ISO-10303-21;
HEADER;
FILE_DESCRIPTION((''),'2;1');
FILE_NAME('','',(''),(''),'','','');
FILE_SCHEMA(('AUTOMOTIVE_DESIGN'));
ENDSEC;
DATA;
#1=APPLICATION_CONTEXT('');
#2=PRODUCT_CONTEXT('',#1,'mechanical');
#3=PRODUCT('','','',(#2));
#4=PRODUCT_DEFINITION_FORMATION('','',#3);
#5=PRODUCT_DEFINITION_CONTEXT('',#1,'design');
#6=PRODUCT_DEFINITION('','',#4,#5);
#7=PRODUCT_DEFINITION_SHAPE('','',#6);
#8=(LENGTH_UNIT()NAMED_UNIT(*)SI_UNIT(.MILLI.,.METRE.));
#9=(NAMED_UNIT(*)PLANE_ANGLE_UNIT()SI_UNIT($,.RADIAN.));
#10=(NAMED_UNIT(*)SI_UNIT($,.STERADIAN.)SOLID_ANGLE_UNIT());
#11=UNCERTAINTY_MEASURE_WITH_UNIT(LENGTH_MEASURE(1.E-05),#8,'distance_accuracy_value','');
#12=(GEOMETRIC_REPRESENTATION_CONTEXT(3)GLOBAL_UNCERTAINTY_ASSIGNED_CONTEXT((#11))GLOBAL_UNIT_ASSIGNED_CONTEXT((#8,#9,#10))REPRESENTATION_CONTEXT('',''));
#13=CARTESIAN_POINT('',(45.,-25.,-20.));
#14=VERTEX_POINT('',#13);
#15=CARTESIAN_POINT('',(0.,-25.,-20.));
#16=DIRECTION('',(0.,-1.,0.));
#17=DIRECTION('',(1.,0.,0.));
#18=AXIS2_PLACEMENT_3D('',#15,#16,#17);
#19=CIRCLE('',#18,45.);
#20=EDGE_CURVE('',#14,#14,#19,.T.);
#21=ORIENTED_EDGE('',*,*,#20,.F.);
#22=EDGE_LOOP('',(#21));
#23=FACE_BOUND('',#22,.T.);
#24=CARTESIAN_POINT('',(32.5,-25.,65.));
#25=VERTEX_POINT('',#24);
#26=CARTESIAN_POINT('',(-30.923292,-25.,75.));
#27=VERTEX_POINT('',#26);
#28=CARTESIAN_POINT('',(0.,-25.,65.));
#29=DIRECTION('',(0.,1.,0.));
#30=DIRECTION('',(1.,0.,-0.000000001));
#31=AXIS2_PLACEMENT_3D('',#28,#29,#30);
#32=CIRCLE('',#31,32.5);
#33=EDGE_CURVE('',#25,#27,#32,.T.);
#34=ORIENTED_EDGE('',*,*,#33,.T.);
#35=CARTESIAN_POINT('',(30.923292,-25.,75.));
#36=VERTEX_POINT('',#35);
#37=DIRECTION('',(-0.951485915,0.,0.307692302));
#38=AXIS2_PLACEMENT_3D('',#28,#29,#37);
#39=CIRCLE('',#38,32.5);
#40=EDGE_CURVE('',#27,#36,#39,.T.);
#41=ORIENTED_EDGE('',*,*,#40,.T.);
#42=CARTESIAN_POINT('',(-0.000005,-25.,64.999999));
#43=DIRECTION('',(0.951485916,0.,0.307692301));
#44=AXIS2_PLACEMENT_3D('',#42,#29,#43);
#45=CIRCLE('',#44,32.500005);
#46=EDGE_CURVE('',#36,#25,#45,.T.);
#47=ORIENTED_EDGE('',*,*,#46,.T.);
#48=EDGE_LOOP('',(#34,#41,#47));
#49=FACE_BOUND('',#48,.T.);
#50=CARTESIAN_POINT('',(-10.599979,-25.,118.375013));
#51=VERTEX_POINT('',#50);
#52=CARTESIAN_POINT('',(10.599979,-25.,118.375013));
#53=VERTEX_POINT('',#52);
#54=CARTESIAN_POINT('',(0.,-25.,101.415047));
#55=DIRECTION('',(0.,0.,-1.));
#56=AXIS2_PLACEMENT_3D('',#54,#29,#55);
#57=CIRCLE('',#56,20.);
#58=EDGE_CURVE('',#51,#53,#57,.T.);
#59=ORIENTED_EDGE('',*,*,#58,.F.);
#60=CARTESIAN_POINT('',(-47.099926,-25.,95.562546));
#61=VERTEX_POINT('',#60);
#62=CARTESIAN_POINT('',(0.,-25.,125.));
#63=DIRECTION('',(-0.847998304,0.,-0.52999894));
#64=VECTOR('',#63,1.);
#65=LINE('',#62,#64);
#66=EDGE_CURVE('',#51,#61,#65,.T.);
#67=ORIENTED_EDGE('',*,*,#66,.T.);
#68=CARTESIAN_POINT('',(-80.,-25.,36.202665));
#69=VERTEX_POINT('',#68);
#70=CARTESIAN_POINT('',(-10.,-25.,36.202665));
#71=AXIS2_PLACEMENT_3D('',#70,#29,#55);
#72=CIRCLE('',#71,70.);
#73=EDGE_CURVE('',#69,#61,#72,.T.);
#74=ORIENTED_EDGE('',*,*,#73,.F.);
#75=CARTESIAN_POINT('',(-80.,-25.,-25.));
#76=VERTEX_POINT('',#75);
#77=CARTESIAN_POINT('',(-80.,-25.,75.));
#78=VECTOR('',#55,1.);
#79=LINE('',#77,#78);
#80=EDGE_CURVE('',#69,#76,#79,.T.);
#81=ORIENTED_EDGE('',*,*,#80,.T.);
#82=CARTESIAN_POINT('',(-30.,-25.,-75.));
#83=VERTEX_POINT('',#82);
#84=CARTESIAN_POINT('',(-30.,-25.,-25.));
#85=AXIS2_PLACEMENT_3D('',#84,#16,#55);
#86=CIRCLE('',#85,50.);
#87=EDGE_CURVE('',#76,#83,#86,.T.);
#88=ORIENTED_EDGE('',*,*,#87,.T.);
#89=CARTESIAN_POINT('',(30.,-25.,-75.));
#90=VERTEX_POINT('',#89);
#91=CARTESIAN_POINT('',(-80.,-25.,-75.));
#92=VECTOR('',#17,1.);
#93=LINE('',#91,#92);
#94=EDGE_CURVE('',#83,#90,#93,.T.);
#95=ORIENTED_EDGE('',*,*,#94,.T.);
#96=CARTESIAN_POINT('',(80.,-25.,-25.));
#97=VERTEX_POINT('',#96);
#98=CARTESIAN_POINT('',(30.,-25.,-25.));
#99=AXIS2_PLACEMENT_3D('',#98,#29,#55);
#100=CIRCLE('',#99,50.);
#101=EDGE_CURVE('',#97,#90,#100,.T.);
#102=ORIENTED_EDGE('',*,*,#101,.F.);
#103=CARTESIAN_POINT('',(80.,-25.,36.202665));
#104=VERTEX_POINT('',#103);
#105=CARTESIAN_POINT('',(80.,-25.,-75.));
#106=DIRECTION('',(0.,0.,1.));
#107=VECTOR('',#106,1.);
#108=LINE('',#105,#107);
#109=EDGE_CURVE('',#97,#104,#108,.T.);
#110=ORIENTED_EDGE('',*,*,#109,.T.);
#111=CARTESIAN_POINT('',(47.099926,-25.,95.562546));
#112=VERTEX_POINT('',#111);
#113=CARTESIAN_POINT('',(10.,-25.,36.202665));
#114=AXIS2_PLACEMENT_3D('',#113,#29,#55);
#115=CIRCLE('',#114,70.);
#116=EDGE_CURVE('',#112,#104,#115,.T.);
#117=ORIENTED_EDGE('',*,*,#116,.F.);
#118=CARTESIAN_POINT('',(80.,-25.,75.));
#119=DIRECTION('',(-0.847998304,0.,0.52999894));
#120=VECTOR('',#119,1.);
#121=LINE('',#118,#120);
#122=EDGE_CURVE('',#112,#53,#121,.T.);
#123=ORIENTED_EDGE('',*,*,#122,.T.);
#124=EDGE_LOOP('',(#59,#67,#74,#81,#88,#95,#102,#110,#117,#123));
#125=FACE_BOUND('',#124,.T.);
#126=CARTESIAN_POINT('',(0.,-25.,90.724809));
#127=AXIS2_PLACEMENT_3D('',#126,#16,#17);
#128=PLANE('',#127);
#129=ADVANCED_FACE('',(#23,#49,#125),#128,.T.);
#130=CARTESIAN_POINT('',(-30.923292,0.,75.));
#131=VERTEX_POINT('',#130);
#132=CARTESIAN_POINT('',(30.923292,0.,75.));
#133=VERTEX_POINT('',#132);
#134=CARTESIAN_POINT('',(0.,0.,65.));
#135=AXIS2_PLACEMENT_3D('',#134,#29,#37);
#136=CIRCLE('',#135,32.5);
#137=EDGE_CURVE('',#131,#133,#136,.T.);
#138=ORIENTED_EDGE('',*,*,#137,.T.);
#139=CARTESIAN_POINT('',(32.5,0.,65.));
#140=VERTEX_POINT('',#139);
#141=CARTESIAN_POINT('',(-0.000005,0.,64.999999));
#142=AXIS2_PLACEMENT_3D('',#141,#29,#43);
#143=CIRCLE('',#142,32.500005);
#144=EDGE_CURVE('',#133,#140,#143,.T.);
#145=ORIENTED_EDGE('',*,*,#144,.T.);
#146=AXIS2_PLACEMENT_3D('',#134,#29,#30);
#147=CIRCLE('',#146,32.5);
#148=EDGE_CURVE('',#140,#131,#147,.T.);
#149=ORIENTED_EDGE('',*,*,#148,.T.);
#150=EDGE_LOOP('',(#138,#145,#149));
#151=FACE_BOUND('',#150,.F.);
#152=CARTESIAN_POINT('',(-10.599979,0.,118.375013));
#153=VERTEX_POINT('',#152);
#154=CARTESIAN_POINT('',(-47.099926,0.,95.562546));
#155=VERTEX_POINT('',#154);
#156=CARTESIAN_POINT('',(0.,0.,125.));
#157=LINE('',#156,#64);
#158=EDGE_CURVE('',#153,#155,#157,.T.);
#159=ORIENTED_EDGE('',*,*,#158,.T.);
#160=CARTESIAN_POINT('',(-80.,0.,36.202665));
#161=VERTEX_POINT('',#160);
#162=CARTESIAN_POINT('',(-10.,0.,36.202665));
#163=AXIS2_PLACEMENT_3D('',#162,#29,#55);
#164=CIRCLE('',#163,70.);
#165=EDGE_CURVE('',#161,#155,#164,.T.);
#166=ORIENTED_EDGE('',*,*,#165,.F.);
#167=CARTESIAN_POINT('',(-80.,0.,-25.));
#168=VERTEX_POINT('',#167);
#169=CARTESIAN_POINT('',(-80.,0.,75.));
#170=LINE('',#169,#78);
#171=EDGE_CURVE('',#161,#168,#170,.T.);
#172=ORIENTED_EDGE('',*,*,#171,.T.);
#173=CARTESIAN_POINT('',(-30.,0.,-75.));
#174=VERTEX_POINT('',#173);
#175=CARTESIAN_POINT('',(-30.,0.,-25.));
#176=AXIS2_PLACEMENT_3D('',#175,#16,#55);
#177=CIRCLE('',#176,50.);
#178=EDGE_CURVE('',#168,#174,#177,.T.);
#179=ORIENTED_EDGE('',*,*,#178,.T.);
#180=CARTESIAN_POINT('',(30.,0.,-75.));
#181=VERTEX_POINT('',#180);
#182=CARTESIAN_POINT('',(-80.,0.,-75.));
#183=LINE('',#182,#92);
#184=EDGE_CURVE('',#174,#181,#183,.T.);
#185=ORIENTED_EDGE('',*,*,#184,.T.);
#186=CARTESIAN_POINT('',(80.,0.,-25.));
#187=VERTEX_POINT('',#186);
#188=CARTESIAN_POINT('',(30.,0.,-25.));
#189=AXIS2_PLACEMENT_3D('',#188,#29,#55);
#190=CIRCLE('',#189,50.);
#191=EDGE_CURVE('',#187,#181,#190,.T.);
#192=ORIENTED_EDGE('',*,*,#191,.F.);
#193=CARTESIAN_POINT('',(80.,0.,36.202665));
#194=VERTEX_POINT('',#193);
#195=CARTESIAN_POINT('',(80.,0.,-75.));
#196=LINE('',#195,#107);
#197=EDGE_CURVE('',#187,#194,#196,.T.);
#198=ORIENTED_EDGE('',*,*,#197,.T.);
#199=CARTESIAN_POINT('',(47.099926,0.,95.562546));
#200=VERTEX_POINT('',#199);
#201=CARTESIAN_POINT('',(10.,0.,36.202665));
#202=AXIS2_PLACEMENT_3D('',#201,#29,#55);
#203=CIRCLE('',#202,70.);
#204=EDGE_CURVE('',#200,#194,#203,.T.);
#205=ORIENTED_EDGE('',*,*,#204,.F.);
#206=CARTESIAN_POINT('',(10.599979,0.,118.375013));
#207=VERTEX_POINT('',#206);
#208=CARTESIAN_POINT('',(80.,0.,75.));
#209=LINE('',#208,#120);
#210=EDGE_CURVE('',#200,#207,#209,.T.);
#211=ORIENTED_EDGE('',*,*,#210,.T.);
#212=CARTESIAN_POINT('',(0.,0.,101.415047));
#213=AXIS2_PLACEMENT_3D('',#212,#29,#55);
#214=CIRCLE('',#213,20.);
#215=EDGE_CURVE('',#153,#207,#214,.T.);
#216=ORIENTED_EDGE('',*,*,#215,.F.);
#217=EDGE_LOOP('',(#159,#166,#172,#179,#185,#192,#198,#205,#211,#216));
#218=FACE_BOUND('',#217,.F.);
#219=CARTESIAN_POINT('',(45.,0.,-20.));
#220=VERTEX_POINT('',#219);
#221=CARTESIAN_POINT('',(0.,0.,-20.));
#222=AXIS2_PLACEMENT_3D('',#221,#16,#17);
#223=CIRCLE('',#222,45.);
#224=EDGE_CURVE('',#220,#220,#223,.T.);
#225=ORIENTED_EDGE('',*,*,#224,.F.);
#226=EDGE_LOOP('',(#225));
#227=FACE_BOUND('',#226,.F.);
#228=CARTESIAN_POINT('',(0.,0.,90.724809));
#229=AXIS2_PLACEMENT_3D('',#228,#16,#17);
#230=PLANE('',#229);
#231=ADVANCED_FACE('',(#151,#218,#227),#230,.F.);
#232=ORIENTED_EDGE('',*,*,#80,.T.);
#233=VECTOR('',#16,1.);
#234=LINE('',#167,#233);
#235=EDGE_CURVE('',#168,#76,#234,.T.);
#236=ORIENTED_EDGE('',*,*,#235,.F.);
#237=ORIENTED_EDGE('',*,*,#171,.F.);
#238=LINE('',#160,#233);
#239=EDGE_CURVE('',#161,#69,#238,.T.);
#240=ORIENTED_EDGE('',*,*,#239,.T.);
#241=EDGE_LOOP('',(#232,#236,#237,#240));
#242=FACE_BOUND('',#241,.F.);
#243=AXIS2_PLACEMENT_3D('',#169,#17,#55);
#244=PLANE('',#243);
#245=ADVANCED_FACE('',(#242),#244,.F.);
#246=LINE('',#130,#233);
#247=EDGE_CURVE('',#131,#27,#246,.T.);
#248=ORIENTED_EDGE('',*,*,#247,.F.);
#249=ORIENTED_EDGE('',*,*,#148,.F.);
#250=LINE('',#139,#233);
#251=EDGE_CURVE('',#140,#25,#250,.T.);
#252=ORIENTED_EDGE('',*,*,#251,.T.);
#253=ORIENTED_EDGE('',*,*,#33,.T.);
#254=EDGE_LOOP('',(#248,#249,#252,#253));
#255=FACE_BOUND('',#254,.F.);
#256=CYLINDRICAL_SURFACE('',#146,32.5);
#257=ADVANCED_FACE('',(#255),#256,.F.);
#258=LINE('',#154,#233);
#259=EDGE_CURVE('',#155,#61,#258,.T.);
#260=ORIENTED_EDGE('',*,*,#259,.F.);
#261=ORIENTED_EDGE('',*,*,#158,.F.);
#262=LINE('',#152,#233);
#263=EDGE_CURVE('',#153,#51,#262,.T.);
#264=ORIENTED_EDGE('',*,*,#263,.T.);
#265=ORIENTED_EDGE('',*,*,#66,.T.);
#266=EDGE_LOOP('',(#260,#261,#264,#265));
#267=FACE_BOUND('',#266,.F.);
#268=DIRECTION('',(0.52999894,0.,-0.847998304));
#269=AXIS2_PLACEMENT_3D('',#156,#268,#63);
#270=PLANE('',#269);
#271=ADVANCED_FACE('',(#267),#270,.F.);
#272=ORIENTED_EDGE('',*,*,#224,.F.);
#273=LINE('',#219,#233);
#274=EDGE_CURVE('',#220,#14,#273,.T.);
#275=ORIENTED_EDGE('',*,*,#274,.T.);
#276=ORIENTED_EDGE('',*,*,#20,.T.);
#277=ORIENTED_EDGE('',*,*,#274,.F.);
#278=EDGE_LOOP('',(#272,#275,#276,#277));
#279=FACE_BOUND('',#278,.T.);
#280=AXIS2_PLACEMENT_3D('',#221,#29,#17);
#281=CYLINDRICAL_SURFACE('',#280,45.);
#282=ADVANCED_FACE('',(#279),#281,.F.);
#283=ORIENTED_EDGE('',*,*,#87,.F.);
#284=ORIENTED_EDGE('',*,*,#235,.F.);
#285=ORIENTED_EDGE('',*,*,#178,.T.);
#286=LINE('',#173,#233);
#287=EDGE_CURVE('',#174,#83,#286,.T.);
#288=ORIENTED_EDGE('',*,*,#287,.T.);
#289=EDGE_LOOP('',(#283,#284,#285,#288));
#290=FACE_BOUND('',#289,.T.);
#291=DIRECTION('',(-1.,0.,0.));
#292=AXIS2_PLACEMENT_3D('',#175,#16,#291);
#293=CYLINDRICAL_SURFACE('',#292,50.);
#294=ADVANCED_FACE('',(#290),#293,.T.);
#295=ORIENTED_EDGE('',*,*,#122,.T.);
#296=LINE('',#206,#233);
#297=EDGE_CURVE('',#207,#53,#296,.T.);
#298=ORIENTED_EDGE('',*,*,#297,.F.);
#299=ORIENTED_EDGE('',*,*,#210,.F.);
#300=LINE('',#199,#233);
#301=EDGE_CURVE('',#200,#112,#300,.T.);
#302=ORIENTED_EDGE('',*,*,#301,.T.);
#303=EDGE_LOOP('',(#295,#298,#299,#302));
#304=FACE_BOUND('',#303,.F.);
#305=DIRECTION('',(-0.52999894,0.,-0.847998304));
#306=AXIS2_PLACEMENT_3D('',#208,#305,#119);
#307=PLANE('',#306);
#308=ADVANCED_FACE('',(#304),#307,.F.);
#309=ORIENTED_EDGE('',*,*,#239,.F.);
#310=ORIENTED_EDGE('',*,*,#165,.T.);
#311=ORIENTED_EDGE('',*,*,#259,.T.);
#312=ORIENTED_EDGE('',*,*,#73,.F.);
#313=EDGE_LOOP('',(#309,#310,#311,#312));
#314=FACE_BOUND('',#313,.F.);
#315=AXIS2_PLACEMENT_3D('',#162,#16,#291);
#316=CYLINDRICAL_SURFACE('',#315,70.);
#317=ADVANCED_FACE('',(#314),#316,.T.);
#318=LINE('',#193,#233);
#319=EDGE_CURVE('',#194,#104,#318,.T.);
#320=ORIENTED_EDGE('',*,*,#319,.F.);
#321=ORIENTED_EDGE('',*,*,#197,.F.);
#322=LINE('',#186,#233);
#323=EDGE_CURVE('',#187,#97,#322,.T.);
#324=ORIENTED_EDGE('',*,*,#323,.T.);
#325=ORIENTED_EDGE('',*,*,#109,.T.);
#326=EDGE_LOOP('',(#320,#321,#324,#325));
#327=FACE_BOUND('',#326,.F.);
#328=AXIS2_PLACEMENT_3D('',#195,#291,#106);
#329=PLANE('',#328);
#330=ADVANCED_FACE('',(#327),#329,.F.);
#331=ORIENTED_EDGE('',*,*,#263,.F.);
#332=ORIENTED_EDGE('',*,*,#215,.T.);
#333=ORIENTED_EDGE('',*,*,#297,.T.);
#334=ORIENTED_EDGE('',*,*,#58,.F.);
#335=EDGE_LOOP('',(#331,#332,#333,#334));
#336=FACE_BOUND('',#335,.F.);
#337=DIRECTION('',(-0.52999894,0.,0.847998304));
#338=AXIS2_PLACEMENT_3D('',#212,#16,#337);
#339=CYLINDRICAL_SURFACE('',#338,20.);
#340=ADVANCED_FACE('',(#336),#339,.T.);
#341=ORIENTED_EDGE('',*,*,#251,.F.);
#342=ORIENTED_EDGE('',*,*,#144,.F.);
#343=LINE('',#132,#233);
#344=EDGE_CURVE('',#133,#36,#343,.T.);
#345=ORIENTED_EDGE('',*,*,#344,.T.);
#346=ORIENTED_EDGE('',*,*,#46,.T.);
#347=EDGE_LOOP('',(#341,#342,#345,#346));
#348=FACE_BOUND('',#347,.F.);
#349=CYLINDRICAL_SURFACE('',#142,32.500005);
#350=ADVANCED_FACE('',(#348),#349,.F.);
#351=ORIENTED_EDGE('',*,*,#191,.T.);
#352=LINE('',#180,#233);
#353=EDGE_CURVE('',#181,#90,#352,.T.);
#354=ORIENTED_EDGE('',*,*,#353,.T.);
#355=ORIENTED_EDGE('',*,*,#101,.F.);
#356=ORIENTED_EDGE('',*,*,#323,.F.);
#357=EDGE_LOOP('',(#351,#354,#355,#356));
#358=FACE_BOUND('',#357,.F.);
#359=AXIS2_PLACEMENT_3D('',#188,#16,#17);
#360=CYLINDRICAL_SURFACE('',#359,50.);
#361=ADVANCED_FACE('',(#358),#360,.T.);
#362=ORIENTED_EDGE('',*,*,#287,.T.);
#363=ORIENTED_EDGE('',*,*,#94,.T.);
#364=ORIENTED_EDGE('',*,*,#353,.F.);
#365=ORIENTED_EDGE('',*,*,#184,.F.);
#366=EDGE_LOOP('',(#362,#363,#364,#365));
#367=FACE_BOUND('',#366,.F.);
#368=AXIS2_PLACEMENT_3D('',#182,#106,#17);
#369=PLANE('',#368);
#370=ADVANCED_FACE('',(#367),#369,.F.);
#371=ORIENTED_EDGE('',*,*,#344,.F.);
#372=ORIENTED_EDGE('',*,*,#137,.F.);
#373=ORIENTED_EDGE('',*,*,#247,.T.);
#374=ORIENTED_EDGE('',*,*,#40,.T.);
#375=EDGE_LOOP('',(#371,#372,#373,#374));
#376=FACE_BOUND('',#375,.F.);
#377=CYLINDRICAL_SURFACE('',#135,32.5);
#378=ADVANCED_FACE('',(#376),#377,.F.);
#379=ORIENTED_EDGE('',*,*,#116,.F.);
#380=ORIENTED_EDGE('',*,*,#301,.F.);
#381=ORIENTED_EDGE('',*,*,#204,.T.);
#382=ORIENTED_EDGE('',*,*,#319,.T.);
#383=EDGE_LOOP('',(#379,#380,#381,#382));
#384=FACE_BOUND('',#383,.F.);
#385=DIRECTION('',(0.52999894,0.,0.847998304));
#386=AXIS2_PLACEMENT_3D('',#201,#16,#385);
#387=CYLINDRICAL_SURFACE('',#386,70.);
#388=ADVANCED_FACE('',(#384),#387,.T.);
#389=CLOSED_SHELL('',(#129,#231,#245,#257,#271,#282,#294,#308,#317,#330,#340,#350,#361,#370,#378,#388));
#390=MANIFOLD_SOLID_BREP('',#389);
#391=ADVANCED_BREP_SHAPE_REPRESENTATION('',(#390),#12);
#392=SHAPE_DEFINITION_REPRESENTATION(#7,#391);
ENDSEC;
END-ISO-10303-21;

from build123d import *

# Parameters (mm, degrees)
F0_R     = 45
F1_DEPTH = 25
F2_R     = 50
F3_R     = 70
F4_R     = 20


with BuildPart() as f1:
    # F0 (on Front) → F1 (new body)
    with BuildSketch(Plane.XZ):
        with BuildLine():
            Line((0, 125), (-80, 75))
            Line((-80, 75), (-30.923292, 75))
            ThreePointArc((-30.923292, 75), (0, 97.5), (30.923292, 75))
            Line((30.923292, 75), (80, 75))
            Line((80, 75), (0, 125))
        make_face()
        with BuildLine():
            Line((-30.923292, 75), (-80, 75))
            Line((-80, 75), (-80, -75))
            Line((-80, -75), (80, -75))
            Line((80, -75), (80, 75))
            Line((80, 75), (30.923292, 75))
            ThreePointArc((30.923292, 75), (32.103403, 70.061769), (32.5, 65))
            ThreePointArc((32.5, 65), (-5.061769, 32.896597), (-30.923292, 75))
        make_face()
        with Locations((0, -20)):
            Circle(F0_R, mode=Mode.SUBTRACT)
    extrude(amount=F1_DEPTH)

    # F2
    f2_edges = [f1.edges().sort_by_distance(p)[0] for p in [
        (-80, -12.5, -75),
        (80, -12.5, -75),
    ]]
    fillet(f2_edges, radius=F2_R)

    # F3
    f3_edges = [f1.edges().sort_by_distance(p)[0] for p in [
        (80, -12.5, 75),
        (-80, -12.5, 75),
    ]]
    fillet(f3_edges, radius=F3_R)

    # F4
    f4_edges = [f1.edges().sort_by_distance(p)[0] for p in [
        (0, -12.5, 125),
    ]]
    fillet(f4_edges, radius=F4_R)


solid = f1.part
